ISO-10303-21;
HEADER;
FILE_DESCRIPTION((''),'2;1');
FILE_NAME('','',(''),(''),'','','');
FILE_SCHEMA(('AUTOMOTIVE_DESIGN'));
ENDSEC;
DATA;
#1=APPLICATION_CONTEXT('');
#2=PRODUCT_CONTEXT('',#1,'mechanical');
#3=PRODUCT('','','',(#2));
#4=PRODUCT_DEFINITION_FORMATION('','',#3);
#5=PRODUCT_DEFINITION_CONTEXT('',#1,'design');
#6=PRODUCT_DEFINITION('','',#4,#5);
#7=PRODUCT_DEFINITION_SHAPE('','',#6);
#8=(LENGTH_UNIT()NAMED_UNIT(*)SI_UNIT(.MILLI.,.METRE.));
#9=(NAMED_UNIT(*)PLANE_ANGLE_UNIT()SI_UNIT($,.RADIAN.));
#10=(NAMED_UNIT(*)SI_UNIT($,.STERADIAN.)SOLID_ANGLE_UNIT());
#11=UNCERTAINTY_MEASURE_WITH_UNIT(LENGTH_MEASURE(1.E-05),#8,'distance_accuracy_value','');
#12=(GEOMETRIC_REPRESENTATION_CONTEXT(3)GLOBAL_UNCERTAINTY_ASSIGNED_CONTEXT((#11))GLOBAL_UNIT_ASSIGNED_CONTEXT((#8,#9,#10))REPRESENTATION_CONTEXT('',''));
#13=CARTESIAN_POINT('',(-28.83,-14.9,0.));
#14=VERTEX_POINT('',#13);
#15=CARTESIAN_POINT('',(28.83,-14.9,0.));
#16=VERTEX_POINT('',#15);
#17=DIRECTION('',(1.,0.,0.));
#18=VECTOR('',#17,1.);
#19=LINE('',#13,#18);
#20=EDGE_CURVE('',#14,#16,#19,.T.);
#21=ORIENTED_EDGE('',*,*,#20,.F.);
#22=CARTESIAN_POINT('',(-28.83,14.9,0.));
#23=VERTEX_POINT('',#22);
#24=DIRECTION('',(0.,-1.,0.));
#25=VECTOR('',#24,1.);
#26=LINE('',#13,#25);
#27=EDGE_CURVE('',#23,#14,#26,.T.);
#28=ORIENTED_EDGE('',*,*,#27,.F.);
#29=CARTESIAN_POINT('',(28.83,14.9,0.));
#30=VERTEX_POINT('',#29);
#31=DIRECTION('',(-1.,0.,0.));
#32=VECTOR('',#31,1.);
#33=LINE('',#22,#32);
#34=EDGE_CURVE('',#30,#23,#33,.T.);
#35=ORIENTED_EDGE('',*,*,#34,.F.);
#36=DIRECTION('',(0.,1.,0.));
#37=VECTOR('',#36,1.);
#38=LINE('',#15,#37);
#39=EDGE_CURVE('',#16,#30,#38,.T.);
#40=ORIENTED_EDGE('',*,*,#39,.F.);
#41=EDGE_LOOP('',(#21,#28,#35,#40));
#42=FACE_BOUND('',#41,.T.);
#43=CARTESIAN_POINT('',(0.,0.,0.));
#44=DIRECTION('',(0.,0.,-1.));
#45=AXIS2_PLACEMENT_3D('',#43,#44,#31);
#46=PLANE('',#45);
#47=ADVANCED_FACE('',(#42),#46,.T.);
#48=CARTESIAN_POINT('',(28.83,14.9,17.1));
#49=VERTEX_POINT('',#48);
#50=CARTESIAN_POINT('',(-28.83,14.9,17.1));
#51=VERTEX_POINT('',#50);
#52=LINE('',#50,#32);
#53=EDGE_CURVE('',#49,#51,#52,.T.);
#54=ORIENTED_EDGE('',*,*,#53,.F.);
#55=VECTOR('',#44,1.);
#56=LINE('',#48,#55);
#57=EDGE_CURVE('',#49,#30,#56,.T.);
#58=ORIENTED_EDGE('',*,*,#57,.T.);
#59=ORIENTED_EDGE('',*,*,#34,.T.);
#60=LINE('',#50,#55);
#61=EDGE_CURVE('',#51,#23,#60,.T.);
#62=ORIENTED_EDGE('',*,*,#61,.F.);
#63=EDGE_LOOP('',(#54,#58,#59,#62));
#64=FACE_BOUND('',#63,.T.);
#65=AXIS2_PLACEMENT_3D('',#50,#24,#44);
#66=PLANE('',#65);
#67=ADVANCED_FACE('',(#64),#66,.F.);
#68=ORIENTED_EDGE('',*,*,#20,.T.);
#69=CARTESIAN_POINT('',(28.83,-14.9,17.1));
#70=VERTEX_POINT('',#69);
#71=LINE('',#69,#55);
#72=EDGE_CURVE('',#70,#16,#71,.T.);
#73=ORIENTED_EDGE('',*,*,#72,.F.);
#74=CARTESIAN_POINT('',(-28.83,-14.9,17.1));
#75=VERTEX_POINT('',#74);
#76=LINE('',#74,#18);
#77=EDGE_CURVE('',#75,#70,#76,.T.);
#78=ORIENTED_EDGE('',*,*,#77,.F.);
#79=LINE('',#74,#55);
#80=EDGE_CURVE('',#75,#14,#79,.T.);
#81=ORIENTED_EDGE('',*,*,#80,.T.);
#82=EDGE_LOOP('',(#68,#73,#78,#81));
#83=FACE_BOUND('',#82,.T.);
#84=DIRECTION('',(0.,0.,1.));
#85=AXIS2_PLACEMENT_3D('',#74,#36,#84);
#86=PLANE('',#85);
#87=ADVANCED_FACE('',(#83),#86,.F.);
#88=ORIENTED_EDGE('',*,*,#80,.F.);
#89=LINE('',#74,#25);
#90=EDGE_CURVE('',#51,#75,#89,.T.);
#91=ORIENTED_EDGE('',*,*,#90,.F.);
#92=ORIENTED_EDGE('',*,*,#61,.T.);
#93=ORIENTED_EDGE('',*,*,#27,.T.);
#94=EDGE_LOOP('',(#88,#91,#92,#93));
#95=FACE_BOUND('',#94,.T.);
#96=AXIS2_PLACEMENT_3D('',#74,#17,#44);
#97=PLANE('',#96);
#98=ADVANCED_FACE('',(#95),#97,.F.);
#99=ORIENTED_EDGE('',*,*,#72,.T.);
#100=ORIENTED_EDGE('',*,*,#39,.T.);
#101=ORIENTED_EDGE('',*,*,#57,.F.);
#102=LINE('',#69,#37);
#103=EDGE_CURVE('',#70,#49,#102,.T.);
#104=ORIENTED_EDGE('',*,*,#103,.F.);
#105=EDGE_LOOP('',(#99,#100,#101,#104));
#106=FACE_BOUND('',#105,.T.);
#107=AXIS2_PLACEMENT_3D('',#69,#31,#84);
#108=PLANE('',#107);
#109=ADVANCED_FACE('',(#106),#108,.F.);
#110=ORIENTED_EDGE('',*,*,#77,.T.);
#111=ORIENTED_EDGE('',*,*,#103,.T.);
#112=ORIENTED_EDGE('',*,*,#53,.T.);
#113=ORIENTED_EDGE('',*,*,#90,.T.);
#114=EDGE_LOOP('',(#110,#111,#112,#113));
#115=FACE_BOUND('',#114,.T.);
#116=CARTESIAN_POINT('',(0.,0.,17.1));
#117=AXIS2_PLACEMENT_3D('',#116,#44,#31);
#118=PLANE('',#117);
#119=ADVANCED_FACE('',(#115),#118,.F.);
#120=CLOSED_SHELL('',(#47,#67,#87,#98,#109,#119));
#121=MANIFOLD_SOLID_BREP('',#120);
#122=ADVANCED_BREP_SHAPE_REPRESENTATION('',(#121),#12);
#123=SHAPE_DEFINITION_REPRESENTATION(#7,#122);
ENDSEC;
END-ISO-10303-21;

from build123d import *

# Parameters (mm, degrees)
SKETCH1_W      = 57.66
SKETCH1_H      = 29.8
ENVELOPE_DEPTH = 17.1


with BuildPart() as part:
    # Sketch1 → Envelope (new body)
    with BuildSketch(Plane.XY):
        Rectangle(SKETCH1_W, SKETCH1_H)
    extrude(amount=ENVELOPE_DEPTH)


solid = part.part
